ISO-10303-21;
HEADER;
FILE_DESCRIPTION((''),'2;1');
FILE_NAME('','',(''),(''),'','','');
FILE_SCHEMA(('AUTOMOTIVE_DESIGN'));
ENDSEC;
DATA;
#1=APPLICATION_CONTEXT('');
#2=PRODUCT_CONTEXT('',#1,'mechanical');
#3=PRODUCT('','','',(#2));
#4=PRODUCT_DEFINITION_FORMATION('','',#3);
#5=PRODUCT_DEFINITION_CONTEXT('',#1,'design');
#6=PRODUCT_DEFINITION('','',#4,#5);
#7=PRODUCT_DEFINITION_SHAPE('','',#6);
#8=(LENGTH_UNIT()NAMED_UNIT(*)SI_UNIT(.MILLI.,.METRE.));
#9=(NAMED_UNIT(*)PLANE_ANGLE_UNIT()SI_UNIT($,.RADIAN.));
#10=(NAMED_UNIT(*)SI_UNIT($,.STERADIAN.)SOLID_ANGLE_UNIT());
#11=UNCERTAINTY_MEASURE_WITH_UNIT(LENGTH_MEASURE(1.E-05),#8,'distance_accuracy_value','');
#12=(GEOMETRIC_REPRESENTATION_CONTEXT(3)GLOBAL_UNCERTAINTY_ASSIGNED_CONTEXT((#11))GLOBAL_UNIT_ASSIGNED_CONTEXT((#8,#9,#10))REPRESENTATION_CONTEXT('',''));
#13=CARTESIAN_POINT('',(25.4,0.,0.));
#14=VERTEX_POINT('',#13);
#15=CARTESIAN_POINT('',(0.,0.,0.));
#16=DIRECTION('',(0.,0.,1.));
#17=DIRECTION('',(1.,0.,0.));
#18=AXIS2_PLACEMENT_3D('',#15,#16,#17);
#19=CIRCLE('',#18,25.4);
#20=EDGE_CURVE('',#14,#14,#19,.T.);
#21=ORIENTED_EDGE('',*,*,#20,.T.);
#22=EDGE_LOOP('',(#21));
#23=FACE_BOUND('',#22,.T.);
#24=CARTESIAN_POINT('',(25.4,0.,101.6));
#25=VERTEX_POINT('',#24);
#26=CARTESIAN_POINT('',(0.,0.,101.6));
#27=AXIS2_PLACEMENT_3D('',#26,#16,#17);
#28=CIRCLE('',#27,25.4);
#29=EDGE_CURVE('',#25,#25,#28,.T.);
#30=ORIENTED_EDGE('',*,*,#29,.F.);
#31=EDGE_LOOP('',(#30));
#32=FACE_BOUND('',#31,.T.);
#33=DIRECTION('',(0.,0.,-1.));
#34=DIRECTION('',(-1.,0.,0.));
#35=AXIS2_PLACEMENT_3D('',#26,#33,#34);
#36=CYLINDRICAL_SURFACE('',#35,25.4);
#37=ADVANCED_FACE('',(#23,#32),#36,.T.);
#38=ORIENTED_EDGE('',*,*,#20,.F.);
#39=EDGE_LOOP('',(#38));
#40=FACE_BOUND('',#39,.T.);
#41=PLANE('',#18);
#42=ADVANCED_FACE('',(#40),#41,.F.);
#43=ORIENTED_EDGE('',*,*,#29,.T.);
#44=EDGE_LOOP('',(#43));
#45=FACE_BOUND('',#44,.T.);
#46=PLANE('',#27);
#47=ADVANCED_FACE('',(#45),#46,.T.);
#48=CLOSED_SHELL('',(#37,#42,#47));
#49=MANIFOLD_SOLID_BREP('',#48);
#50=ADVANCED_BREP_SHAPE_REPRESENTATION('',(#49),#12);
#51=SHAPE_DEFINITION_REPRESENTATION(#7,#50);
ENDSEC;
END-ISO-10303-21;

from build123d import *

# Parameters (mm, degrees)
SKETCH1_R           = 25.4
BOSS_EXTRUDE1_DEPTH = 101.6


with BuildPart() as part:
    # Sketch1 → Boss-Extrude1 (new body)
    with BuildSketch(Plane.XY):
        Circle(SKETCH1_R)
    extrude(amount=BOSS_EXTRUDE1_DEPTH)


solid = part.part
